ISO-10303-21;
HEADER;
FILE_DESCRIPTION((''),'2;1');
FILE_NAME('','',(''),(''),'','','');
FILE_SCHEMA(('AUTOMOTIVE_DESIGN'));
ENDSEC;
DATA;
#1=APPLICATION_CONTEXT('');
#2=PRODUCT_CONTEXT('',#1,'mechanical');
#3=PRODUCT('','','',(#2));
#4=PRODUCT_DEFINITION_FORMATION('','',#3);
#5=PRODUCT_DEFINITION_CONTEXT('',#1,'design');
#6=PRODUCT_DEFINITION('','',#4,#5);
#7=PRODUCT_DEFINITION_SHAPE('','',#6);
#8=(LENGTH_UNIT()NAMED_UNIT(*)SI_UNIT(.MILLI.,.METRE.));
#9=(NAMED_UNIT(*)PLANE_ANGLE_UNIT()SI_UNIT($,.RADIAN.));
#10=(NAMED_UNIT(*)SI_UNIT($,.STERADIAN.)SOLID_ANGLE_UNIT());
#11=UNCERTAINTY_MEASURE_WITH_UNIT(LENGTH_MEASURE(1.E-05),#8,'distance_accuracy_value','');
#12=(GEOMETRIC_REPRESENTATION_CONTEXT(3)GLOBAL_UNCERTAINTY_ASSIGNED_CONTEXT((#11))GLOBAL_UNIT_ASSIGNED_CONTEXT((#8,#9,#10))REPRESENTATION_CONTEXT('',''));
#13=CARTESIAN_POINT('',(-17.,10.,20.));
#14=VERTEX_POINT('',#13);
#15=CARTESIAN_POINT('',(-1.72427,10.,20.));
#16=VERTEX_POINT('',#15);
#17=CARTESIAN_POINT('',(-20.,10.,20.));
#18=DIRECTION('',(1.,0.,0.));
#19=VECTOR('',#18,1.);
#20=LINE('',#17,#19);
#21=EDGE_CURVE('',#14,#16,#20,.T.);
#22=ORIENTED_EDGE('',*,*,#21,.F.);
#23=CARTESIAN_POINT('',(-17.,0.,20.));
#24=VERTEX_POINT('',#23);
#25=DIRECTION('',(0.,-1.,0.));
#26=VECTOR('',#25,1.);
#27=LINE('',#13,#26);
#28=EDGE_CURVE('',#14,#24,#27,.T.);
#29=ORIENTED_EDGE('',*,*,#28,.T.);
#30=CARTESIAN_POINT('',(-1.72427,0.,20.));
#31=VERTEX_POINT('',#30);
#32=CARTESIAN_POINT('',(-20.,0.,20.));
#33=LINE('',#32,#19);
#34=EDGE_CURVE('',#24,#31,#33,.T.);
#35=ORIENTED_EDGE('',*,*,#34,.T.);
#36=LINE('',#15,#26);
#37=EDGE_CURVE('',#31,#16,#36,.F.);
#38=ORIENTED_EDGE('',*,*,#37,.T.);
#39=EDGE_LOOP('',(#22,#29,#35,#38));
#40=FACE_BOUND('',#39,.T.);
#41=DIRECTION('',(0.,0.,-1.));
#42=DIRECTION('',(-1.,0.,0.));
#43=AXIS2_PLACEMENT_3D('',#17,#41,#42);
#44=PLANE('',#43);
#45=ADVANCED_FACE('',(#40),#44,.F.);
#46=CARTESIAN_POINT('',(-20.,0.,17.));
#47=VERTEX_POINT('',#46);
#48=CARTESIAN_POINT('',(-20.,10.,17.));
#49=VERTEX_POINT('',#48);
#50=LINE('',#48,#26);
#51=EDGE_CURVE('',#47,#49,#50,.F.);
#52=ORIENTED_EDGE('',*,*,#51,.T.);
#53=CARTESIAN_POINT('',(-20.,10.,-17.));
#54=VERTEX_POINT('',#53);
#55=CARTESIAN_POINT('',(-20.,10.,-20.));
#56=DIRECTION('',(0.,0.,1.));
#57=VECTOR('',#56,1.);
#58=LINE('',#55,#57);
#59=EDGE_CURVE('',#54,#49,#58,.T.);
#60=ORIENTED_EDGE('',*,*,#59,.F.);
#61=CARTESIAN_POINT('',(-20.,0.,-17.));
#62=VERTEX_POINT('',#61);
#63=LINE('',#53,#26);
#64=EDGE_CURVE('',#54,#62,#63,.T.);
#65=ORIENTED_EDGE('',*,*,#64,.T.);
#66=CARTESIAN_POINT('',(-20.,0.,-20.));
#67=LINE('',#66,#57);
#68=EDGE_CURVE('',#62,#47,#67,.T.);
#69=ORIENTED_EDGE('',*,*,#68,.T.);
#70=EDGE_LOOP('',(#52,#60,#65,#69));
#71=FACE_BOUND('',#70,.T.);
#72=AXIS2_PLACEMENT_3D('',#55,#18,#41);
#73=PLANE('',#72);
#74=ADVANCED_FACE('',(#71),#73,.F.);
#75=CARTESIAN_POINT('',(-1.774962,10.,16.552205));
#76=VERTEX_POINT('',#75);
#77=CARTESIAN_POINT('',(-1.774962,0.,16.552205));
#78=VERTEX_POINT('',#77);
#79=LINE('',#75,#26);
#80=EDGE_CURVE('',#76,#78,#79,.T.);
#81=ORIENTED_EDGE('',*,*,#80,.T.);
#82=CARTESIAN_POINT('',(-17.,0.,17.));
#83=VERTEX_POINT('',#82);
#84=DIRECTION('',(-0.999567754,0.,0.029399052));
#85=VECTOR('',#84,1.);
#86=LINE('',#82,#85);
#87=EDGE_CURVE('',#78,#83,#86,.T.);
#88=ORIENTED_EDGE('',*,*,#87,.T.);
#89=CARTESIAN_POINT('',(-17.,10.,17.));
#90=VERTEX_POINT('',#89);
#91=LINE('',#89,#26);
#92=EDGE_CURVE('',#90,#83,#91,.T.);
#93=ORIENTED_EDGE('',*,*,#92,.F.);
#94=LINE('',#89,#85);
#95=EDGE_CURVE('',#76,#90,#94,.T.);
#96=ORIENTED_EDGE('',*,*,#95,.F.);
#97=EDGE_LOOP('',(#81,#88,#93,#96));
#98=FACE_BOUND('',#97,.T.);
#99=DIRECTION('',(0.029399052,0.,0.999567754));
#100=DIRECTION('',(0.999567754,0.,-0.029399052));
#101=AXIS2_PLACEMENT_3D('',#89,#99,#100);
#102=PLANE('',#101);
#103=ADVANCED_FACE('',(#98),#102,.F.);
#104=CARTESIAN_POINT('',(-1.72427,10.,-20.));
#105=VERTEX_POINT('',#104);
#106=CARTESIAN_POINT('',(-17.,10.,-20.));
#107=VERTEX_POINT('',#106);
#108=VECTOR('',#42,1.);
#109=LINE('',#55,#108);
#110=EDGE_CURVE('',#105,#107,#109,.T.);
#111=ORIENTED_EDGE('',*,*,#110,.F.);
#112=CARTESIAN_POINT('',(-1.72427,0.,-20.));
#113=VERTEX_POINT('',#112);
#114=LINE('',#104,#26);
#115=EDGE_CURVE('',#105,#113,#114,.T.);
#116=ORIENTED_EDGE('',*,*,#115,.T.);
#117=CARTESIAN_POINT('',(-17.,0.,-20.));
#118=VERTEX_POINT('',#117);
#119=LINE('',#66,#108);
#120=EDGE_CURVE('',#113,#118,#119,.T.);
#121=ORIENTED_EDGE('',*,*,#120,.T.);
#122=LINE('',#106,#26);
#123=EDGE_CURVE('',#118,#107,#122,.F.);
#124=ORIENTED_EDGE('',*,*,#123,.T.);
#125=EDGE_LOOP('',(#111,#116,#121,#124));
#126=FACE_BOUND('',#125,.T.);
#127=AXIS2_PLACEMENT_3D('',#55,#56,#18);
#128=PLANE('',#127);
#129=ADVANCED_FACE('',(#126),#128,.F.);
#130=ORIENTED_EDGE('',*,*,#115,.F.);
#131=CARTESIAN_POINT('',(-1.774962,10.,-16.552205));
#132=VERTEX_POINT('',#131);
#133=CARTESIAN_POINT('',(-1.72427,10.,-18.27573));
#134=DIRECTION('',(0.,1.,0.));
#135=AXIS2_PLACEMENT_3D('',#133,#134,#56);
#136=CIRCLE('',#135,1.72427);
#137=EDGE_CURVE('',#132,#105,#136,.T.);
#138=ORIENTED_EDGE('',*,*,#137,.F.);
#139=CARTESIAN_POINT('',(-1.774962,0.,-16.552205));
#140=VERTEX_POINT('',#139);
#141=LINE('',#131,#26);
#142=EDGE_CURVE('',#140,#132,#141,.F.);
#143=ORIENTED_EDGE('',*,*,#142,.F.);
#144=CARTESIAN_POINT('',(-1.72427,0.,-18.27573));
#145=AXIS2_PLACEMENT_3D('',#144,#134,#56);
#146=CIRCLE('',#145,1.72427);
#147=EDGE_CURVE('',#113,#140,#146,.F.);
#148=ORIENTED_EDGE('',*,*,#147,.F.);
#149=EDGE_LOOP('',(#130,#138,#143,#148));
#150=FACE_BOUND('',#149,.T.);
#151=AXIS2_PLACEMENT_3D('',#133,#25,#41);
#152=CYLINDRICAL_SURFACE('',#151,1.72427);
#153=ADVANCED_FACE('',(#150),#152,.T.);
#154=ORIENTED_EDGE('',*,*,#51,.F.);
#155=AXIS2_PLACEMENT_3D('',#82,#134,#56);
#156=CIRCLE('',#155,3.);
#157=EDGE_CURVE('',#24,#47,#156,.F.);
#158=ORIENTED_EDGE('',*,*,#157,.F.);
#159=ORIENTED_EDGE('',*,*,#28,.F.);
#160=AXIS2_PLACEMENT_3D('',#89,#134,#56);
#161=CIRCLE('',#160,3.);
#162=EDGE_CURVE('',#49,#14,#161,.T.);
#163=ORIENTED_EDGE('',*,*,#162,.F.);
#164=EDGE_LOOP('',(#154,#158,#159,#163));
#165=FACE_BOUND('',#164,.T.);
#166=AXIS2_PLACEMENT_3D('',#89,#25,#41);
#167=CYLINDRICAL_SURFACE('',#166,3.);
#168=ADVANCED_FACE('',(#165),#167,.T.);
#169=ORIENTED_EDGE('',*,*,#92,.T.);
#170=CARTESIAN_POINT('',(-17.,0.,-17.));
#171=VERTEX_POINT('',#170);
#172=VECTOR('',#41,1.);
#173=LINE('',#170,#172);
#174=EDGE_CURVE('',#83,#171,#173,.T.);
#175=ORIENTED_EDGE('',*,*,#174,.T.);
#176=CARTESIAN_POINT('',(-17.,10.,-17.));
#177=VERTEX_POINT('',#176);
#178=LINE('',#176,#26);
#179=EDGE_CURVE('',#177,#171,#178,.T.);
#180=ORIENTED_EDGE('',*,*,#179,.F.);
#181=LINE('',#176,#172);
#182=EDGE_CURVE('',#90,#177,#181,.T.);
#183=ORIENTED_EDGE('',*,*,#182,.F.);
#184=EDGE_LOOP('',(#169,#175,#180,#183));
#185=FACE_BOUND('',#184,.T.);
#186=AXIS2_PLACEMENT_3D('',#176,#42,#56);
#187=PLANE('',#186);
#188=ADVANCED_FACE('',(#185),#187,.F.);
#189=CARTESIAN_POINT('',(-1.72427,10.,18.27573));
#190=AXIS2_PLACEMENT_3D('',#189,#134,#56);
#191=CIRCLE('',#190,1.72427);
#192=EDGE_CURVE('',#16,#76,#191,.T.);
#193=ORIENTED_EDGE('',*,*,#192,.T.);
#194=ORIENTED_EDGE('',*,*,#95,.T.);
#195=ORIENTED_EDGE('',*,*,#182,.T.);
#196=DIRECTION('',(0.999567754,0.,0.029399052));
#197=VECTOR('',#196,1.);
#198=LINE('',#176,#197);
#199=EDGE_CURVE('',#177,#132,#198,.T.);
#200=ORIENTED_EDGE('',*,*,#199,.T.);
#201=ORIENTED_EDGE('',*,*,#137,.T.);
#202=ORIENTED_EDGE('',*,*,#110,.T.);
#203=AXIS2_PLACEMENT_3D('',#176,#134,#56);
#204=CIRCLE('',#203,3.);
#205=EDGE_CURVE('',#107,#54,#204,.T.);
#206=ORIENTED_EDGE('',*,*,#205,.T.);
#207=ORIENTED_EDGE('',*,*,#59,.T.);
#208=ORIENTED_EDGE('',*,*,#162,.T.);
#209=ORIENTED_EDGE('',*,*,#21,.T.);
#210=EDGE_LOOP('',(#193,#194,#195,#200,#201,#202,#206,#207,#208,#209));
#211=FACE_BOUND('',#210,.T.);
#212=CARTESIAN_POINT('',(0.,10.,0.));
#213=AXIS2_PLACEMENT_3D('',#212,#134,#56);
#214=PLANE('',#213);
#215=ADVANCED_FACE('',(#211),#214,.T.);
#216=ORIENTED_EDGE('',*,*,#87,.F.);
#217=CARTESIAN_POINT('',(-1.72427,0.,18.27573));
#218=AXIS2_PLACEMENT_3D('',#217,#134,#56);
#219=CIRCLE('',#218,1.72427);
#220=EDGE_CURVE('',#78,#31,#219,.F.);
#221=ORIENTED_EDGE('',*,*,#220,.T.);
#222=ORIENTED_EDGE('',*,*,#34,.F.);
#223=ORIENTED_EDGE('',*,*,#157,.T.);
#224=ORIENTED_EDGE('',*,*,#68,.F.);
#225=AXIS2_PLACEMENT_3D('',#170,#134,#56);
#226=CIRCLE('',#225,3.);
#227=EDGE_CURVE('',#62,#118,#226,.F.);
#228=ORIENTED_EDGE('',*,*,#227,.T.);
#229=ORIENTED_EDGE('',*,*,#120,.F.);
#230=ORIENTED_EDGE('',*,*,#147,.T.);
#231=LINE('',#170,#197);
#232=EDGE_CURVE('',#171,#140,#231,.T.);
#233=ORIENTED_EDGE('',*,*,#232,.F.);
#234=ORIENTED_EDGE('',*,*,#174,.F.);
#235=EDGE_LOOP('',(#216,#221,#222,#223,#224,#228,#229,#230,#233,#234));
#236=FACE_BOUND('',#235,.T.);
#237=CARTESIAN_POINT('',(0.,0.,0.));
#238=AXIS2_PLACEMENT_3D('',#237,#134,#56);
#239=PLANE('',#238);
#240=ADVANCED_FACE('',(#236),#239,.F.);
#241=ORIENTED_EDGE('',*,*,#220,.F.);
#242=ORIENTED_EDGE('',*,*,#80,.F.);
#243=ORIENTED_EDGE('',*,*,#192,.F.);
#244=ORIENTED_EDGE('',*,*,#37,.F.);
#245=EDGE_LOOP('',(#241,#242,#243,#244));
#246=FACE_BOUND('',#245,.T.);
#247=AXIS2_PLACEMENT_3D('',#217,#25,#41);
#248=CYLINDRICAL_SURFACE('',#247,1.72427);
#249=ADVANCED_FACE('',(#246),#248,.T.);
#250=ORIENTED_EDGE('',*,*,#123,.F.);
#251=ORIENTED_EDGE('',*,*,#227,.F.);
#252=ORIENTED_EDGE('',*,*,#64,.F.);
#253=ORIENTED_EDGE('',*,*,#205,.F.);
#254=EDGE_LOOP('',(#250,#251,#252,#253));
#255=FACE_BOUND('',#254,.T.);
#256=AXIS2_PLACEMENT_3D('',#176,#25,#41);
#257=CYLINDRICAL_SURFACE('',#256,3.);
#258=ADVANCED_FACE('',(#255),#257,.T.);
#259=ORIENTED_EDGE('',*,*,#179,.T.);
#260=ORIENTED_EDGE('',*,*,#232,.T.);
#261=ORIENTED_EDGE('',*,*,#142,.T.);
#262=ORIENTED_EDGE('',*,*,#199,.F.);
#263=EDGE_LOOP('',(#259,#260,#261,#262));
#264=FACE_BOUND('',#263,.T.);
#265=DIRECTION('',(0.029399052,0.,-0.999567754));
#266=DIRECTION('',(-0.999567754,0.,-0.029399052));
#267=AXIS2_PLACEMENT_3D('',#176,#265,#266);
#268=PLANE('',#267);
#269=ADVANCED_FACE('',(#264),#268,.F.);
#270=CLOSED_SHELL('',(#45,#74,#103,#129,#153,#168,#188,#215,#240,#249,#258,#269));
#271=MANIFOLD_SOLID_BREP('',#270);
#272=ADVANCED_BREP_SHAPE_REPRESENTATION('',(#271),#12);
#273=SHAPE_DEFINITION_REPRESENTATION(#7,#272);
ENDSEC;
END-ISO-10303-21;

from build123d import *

# Parameters (mm, degrees)
BOSS_EXTRUDE1_DEPTH = 10
FILLET1_R           = 3
FILLET2_R           = 1.72427
FILLET3_R           = 1.72427


with BuildPart() as part:
    # Sketch1 → Boss-Extrude1 (new body)
    with BuildSketch(Plane(origin=(0, 0, 0), x_dir=(1, 0, 0), z_dir=(0, 1, 0))):
        Polygon((0, -16.5), (0, -20), (-20, -20), (-20, 20), (0, 20), (0, 16.5), (-17, 17), (-17, -17), align=None)
    extrude(amount=BOSS_EXTRUDE1_DEPTH)

    # Fillet1
    fillet1_edges = [part.edges().sort_by_distance(p)[0] for p in [
        (-20, 5, -20),
        (-20, 5, 20),
    ]]
    fillet(fillet1_edges, radius=FILLET1_R)

    # Fillet2
    fillet2_edges = [part.edges().sort_by_distance(p)[0] for p in [
        (0, 5, 16.5),
        (0, 5, 20),
    ]]
    fillet(fillet2_edges, radius=FILLET2_R)

    # Fillet3
    fillet3_edges = [part.edges().sort_by_distance(p)[0] for p in [
        (0, 5, -20),
        (0, 5, -16.5),
    ]]
    fillet(fillet3_edges, radius=FILLET3_R)


solid = part.part
